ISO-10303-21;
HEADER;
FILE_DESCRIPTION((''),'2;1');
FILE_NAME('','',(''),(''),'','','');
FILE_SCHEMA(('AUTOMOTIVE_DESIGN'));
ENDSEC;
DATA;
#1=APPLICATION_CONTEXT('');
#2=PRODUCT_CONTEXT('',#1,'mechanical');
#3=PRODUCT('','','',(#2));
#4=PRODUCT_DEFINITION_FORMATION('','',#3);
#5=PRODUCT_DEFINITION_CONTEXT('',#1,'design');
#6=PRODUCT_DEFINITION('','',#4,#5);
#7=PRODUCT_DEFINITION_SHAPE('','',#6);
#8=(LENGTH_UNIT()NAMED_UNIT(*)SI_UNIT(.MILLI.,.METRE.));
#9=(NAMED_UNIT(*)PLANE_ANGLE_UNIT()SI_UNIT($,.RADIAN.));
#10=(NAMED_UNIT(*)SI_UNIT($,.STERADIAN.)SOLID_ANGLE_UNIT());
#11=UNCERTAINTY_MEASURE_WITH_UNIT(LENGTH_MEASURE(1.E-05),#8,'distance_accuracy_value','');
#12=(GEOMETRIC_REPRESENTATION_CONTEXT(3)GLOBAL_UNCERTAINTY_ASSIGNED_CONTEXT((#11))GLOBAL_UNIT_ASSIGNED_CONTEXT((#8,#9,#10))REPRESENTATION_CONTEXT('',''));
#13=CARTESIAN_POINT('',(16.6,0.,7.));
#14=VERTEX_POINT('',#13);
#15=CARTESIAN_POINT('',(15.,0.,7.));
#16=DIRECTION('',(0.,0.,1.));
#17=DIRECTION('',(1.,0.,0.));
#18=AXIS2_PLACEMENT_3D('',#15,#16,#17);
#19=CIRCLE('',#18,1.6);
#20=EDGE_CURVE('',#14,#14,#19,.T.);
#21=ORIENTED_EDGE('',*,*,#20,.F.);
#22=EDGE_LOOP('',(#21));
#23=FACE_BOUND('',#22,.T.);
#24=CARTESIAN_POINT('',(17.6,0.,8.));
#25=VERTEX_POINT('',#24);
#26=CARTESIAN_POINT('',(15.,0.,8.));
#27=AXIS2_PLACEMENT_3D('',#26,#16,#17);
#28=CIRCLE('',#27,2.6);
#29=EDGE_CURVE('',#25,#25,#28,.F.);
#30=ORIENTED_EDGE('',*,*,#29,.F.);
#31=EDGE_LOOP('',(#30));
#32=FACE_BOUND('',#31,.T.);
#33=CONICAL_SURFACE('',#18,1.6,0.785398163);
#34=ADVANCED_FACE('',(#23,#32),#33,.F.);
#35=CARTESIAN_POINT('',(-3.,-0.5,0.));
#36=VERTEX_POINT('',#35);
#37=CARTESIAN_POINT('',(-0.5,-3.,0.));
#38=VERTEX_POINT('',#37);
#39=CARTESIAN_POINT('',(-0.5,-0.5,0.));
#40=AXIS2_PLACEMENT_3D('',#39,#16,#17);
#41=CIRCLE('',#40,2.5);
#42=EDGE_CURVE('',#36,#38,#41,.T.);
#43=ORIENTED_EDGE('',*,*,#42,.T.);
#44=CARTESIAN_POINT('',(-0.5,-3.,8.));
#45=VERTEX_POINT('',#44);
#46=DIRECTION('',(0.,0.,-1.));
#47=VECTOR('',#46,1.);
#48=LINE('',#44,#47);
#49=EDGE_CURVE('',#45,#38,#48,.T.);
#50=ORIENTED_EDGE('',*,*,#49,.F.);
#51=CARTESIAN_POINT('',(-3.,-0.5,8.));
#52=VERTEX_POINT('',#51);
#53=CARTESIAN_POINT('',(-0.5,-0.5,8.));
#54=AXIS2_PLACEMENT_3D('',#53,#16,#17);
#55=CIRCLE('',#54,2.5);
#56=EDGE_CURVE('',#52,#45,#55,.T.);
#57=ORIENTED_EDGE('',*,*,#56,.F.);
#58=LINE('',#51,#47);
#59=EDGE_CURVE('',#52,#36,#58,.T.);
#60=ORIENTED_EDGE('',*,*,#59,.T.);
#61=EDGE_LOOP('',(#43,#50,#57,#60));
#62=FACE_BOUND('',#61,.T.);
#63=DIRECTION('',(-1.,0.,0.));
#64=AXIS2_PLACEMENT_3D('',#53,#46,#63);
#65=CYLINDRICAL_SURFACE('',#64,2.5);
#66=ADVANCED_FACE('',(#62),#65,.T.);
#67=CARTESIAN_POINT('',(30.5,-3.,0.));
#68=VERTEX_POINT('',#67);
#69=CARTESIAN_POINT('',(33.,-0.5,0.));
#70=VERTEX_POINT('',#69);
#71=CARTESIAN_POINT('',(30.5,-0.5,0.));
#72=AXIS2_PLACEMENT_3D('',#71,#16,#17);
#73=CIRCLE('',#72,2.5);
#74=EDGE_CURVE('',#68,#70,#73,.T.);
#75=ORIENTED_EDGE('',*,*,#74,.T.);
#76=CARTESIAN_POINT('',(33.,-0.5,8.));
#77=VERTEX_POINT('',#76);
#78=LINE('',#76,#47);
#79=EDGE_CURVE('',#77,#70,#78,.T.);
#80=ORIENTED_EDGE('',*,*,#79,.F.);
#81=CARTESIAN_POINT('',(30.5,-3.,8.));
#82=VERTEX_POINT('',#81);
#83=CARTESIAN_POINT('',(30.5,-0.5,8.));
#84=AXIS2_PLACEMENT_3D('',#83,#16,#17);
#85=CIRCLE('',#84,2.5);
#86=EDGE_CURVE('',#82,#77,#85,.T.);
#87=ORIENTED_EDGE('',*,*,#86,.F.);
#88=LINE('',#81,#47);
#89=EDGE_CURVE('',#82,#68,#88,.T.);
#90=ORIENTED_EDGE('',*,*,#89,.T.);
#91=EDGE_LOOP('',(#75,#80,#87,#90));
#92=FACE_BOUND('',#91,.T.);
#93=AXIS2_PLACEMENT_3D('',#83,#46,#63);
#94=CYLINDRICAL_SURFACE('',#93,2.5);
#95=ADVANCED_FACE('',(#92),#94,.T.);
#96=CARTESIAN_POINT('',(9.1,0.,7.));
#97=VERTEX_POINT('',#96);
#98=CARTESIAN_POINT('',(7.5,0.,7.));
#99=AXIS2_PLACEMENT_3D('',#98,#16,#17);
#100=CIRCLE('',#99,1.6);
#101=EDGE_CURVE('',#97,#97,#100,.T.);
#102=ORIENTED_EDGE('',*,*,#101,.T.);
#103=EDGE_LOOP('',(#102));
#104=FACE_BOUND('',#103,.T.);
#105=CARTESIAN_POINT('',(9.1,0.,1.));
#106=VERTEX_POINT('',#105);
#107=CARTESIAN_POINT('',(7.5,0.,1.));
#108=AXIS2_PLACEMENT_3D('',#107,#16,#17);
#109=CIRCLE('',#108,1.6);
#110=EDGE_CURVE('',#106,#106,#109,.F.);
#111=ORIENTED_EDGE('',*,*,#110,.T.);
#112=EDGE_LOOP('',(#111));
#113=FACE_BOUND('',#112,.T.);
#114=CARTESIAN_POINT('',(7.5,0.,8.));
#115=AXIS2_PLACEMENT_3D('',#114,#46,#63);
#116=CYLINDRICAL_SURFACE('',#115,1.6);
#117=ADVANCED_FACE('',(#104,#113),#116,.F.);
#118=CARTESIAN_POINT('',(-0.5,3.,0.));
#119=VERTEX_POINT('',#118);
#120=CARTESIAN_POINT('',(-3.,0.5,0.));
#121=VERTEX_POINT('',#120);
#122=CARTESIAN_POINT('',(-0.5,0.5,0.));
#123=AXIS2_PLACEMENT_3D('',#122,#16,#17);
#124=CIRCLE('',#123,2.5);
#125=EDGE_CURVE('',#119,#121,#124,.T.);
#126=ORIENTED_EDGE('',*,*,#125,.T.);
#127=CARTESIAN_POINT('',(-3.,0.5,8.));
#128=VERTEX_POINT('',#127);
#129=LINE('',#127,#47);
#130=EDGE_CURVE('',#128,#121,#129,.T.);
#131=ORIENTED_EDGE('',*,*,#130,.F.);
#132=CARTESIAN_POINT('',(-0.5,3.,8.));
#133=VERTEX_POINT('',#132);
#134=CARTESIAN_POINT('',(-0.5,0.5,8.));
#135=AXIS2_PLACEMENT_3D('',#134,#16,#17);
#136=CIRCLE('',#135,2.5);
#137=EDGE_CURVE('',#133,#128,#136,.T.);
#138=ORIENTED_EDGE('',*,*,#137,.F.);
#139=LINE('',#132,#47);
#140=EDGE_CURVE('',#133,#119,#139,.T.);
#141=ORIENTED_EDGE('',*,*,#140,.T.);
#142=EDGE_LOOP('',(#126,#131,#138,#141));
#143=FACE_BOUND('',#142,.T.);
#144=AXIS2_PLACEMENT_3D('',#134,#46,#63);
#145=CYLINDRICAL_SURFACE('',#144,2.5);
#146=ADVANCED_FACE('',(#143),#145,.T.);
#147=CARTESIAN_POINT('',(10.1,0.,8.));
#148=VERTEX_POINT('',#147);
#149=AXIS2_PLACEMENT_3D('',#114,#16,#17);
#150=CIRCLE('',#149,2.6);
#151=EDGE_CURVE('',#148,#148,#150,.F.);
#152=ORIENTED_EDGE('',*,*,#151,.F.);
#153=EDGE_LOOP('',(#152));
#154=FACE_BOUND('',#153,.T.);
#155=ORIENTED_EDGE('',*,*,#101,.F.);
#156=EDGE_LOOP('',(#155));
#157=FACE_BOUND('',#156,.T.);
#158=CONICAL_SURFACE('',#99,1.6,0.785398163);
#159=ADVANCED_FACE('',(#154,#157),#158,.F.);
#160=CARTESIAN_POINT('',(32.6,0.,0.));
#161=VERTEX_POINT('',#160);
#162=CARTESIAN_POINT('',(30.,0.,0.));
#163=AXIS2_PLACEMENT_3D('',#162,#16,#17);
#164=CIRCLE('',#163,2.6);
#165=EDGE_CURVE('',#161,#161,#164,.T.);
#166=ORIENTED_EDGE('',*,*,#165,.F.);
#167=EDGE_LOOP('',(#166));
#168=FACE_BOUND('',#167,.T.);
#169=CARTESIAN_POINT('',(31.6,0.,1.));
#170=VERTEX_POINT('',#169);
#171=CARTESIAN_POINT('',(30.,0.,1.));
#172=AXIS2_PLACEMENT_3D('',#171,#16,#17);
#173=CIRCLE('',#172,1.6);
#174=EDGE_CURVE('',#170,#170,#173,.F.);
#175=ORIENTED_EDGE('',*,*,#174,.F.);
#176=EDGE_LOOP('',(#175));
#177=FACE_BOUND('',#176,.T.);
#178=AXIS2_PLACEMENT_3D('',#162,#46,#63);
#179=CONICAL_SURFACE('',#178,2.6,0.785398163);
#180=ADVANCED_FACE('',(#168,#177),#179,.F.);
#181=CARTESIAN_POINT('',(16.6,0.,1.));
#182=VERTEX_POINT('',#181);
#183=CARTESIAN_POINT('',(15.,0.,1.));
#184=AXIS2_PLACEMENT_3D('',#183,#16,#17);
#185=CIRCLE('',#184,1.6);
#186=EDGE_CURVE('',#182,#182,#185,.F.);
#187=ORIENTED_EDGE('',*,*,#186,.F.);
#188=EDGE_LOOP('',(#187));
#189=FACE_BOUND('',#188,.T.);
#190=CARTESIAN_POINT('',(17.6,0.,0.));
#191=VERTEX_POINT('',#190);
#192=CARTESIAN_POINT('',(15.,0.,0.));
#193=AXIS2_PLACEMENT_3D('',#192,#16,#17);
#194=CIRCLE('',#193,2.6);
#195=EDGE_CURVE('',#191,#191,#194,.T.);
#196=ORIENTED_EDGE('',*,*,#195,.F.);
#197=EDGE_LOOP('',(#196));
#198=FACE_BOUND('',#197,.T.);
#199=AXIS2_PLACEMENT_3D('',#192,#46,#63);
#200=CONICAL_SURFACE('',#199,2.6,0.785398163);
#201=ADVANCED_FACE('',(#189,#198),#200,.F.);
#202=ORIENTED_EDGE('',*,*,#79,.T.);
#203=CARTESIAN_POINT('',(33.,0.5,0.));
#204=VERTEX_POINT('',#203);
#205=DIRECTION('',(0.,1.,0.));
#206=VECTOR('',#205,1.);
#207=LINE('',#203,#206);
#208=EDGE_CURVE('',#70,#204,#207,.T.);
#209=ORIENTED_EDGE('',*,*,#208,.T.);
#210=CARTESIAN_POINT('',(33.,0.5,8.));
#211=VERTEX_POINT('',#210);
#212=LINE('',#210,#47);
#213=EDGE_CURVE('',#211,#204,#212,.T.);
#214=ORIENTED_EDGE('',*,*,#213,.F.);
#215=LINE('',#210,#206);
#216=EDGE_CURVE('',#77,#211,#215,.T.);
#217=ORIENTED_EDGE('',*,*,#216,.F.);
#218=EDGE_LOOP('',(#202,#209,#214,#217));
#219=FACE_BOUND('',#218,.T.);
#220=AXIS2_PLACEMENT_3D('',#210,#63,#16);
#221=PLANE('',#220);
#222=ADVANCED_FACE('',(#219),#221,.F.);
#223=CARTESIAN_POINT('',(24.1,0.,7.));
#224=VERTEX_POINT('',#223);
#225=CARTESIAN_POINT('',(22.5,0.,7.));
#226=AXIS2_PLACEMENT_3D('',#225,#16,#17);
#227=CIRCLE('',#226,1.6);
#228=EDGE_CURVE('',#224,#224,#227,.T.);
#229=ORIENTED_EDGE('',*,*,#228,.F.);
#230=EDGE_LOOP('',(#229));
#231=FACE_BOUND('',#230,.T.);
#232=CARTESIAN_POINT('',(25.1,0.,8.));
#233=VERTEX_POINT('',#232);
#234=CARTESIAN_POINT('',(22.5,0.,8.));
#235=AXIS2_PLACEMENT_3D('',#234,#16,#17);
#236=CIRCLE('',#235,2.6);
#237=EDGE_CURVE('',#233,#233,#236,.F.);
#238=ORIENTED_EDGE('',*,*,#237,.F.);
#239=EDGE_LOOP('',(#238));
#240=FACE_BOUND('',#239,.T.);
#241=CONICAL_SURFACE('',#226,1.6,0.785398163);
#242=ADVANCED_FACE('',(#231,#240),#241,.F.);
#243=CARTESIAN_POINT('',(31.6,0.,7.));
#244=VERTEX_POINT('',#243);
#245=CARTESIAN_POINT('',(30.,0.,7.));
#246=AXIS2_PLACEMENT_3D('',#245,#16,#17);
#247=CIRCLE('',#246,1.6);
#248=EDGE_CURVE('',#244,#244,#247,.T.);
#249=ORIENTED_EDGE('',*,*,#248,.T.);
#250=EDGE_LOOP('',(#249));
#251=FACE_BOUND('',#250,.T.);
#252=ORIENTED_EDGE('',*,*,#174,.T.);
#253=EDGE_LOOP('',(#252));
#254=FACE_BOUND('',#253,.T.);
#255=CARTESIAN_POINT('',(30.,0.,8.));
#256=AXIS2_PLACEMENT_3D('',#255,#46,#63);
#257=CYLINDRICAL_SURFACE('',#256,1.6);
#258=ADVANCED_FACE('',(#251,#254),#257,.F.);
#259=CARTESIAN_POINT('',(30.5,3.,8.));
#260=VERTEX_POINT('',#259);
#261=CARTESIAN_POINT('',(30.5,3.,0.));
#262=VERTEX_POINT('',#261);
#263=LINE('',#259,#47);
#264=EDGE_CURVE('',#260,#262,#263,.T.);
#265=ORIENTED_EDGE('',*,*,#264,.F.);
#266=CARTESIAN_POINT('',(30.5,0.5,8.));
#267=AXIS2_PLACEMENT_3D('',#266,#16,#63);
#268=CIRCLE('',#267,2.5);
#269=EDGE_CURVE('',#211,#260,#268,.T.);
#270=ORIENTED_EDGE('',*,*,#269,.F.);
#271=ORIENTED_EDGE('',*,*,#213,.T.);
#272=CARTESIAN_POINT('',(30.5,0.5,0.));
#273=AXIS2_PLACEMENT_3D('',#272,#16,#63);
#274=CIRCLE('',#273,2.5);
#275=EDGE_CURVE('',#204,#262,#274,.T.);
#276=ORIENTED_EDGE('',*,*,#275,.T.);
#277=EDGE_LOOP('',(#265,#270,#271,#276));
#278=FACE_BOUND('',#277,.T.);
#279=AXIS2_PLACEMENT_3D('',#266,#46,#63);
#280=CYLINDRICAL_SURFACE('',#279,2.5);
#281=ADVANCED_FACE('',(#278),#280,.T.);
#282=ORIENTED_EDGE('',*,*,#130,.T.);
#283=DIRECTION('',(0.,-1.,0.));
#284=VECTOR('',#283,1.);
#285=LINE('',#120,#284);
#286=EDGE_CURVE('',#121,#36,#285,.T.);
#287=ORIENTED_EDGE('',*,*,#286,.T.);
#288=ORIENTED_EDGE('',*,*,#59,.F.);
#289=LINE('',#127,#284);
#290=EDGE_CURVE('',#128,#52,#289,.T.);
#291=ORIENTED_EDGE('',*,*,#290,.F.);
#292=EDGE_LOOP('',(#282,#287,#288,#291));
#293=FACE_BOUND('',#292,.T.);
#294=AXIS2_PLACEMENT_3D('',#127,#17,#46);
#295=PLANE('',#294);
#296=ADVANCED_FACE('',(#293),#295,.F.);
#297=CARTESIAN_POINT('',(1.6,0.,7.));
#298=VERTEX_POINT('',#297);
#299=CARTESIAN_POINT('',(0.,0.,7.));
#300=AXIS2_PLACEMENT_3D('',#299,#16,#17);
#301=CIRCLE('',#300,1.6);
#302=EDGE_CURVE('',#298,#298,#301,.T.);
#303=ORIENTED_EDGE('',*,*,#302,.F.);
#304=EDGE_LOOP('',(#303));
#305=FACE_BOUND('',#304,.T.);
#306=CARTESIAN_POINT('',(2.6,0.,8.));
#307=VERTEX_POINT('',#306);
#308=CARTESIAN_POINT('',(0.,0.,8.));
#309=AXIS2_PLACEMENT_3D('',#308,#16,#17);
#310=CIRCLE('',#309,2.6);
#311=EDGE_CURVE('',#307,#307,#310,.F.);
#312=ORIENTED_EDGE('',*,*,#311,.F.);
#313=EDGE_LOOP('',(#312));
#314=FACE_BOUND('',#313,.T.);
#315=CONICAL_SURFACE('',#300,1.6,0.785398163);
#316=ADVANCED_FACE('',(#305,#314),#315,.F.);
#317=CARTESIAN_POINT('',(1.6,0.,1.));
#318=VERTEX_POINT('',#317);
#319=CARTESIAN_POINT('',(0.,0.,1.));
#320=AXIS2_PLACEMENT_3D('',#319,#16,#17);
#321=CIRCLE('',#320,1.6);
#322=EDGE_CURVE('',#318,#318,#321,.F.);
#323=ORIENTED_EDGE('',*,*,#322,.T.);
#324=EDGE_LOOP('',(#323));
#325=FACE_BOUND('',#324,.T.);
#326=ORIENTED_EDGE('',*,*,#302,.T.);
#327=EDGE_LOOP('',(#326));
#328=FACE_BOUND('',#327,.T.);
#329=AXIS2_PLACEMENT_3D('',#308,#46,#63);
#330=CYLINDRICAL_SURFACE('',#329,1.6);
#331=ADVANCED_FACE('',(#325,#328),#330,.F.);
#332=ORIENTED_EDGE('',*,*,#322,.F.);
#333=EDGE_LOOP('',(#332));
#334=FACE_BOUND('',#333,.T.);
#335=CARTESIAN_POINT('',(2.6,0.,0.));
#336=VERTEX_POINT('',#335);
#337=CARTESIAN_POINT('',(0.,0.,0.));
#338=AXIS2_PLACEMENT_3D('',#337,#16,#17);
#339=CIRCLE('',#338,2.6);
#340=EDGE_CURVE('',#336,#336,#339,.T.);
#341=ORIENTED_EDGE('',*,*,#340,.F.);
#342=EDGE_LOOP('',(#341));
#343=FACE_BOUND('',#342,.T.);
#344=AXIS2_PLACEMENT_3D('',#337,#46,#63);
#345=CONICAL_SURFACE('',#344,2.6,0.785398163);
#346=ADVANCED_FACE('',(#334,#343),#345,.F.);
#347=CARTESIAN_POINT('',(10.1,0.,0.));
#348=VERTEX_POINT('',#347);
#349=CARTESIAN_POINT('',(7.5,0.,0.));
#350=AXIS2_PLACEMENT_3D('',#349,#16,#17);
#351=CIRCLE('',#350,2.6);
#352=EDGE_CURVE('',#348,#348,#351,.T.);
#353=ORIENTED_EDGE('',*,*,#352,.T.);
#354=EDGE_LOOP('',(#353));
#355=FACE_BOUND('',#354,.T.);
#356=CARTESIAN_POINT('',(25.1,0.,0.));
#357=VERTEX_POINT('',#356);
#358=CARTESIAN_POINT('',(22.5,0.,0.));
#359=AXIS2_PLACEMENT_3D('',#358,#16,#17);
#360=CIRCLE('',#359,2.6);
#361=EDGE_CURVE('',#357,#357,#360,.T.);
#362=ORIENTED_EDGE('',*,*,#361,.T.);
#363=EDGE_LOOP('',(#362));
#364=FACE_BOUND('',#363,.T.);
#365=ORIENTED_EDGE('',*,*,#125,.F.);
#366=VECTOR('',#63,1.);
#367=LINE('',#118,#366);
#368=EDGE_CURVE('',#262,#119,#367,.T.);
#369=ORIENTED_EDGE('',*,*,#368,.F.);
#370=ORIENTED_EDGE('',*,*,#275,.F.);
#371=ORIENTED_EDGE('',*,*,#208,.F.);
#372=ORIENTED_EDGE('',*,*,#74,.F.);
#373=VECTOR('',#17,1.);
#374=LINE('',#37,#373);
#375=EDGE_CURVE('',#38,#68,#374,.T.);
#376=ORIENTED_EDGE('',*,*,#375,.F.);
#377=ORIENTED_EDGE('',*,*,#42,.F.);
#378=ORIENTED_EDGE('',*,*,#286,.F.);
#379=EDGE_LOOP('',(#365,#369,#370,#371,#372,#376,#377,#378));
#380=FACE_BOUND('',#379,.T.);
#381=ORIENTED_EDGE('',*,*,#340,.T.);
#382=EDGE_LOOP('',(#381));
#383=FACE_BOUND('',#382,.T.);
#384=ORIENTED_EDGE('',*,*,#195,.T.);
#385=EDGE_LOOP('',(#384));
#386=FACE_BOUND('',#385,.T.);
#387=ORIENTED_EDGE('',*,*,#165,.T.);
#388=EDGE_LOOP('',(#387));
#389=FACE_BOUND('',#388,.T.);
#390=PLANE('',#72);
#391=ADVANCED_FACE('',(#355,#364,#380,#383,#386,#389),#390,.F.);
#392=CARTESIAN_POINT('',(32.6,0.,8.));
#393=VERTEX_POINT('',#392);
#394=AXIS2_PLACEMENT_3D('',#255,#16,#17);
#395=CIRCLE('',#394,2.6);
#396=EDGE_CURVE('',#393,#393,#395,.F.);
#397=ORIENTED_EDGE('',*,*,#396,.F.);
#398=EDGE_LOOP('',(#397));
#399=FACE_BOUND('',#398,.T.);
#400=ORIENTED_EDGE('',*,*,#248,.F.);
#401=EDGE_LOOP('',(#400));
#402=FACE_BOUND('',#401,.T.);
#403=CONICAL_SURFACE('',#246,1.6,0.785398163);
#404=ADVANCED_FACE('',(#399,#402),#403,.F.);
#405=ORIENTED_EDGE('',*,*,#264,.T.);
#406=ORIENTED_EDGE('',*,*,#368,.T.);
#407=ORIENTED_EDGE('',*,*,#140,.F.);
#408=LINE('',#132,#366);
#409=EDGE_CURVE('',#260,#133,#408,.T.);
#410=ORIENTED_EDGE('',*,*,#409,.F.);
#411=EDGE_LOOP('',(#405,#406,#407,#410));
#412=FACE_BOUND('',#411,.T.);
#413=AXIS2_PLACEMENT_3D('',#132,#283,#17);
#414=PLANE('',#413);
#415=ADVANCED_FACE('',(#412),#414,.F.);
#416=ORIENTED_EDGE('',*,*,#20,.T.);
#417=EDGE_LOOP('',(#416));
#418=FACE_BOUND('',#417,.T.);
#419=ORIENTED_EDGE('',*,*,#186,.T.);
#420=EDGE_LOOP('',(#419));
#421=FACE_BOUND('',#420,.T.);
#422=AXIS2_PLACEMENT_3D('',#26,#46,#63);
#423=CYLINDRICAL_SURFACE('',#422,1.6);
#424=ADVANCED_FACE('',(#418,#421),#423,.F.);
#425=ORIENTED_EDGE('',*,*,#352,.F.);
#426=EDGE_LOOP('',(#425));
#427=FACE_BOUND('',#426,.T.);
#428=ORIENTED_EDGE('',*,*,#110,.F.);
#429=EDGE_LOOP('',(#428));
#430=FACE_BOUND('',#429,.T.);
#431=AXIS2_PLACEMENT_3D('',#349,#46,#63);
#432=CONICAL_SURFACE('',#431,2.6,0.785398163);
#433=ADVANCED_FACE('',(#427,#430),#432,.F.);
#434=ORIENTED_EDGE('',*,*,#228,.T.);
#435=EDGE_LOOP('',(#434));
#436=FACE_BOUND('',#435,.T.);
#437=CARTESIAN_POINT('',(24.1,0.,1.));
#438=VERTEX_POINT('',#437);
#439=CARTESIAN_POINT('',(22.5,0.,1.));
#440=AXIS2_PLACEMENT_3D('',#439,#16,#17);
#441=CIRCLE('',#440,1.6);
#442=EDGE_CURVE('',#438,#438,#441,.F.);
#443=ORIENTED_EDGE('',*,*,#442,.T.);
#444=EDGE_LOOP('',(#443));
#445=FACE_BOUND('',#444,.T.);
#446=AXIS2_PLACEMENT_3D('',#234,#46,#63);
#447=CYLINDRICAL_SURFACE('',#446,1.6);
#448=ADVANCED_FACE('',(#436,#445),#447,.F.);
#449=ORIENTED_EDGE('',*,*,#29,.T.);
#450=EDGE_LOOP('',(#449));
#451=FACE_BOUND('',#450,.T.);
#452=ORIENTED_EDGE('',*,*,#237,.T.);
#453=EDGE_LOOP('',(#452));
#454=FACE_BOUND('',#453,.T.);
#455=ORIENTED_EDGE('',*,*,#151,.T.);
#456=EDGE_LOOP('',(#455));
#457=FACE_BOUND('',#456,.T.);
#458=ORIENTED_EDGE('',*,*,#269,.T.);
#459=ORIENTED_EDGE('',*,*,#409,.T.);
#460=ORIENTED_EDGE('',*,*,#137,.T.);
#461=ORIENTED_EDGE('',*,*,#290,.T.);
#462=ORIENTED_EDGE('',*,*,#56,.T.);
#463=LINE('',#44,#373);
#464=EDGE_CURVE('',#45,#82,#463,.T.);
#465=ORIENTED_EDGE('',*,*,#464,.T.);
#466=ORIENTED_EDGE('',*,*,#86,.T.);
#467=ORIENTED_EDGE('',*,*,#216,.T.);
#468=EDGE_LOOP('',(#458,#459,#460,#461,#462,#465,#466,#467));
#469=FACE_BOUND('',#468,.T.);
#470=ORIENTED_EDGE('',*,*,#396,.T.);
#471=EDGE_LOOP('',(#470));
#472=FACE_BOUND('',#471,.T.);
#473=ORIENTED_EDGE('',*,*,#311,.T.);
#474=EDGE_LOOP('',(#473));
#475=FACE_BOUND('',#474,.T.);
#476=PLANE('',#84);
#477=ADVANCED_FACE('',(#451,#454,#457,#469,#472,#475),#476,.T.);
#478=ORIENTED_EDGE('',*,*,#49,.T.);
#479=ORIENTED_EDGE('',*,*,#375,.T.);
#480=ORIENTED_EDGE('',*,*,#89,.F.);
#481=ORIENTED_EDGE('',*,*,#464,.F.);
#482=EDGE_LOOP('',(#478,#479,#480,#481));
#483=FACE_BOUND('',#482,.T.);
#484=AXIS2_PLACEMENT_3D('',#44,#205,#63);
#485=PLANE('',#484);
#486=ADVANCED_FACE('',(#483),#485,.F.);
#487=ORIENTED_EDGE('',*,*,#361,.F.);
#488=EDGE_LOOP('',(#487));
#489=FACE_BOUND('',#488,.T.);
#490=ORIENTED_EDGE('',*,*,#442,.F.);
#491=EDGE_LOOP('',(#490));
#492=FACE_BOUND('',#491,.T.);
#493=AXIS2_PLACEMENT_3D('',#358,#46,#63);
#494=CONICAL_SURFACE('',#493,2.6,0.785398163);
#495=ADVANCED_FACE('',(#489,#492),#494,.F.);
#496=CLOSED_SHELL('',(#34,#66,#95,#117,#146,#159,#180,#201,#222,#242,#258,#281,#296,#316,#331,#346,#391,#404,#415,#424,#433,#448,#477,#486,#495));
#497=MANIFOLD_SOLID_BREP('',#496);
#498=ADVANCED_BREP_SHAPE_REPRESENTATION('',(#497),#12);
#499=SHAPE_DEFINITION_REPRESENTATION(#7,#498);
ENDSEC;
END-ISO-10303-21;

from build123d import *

# Parameters (mm, degrees)
SKETCH1_R           = 1.6
BOSS_EXTRUDE1_DEPTH = 8
CHAMFER1_SIZE       = 1


with BuildPart() as part:
    # Sketch1 → Boss-Extrude1 (new body)
    with BuildSketch(Plane.XY):
        with BuildLine():
            Line((-0.5, 3), (30.5, 3))
            ThreePointArc((30.5, 3), (32.267766953, 2.267766953), (33, 0.5))
            Line((33, 0.5), (33, -0.5))
            ThreePointArc((33, -0.5), (32.267766953, -2.267766953), (30.5, -3))
            Line((30.5, -3), (-0.5, -3))
            ThreePointArc((-0.5, -3), (-2.267766953, -2.267766953), (-3, -0.5))
            Line((-3, -0.5), (-3, 0.5))
            ThreePointArc((-3, 0.5), (-2.267766953, 2.267766953), (-0.5, 3))
        make_face()
        Circle(SKETCH1_R, mode=Mode.SUBTRACT)
        with Locations((7.5, 0)):
            Circle(SKETCH1_R, mode=Mode.SUBTRACT)
        with Locations((15, 0)):
            Circle(SKETCH1_R, mode=Mode.SUBTRACT)
        with Locations((22.5, 0)):
            Circle(SKETCH1_R, mode=Mode.SUBTRACT)
        with Locations((30, 0)):
            Circle(SKETCH1_R, mode=Mode.SUBTRACT)
    extrude(amount=BOSS_EXTRUDE1_DEPTH)

    # Chamfer1
    chamfer1_edges = [part.edges().sort_by_distance(p)[0] for p in [
        (-1.6, 0, 0),
        (-1.6, 0, 8),
        (5.9, 0, 0),
        (5.9, 0, 8),
        (13.4, 0, 0),
        (13.4, 0, 8),
        (20.9, 0, 0),
        (20.9, 0, 8),
        (28.4, 0, 0),
        (28.4, 0, 8),
    ]]
    chamfer(chamfer1_edges, length=CHAMFER1_SIZE)


solid = part.part
